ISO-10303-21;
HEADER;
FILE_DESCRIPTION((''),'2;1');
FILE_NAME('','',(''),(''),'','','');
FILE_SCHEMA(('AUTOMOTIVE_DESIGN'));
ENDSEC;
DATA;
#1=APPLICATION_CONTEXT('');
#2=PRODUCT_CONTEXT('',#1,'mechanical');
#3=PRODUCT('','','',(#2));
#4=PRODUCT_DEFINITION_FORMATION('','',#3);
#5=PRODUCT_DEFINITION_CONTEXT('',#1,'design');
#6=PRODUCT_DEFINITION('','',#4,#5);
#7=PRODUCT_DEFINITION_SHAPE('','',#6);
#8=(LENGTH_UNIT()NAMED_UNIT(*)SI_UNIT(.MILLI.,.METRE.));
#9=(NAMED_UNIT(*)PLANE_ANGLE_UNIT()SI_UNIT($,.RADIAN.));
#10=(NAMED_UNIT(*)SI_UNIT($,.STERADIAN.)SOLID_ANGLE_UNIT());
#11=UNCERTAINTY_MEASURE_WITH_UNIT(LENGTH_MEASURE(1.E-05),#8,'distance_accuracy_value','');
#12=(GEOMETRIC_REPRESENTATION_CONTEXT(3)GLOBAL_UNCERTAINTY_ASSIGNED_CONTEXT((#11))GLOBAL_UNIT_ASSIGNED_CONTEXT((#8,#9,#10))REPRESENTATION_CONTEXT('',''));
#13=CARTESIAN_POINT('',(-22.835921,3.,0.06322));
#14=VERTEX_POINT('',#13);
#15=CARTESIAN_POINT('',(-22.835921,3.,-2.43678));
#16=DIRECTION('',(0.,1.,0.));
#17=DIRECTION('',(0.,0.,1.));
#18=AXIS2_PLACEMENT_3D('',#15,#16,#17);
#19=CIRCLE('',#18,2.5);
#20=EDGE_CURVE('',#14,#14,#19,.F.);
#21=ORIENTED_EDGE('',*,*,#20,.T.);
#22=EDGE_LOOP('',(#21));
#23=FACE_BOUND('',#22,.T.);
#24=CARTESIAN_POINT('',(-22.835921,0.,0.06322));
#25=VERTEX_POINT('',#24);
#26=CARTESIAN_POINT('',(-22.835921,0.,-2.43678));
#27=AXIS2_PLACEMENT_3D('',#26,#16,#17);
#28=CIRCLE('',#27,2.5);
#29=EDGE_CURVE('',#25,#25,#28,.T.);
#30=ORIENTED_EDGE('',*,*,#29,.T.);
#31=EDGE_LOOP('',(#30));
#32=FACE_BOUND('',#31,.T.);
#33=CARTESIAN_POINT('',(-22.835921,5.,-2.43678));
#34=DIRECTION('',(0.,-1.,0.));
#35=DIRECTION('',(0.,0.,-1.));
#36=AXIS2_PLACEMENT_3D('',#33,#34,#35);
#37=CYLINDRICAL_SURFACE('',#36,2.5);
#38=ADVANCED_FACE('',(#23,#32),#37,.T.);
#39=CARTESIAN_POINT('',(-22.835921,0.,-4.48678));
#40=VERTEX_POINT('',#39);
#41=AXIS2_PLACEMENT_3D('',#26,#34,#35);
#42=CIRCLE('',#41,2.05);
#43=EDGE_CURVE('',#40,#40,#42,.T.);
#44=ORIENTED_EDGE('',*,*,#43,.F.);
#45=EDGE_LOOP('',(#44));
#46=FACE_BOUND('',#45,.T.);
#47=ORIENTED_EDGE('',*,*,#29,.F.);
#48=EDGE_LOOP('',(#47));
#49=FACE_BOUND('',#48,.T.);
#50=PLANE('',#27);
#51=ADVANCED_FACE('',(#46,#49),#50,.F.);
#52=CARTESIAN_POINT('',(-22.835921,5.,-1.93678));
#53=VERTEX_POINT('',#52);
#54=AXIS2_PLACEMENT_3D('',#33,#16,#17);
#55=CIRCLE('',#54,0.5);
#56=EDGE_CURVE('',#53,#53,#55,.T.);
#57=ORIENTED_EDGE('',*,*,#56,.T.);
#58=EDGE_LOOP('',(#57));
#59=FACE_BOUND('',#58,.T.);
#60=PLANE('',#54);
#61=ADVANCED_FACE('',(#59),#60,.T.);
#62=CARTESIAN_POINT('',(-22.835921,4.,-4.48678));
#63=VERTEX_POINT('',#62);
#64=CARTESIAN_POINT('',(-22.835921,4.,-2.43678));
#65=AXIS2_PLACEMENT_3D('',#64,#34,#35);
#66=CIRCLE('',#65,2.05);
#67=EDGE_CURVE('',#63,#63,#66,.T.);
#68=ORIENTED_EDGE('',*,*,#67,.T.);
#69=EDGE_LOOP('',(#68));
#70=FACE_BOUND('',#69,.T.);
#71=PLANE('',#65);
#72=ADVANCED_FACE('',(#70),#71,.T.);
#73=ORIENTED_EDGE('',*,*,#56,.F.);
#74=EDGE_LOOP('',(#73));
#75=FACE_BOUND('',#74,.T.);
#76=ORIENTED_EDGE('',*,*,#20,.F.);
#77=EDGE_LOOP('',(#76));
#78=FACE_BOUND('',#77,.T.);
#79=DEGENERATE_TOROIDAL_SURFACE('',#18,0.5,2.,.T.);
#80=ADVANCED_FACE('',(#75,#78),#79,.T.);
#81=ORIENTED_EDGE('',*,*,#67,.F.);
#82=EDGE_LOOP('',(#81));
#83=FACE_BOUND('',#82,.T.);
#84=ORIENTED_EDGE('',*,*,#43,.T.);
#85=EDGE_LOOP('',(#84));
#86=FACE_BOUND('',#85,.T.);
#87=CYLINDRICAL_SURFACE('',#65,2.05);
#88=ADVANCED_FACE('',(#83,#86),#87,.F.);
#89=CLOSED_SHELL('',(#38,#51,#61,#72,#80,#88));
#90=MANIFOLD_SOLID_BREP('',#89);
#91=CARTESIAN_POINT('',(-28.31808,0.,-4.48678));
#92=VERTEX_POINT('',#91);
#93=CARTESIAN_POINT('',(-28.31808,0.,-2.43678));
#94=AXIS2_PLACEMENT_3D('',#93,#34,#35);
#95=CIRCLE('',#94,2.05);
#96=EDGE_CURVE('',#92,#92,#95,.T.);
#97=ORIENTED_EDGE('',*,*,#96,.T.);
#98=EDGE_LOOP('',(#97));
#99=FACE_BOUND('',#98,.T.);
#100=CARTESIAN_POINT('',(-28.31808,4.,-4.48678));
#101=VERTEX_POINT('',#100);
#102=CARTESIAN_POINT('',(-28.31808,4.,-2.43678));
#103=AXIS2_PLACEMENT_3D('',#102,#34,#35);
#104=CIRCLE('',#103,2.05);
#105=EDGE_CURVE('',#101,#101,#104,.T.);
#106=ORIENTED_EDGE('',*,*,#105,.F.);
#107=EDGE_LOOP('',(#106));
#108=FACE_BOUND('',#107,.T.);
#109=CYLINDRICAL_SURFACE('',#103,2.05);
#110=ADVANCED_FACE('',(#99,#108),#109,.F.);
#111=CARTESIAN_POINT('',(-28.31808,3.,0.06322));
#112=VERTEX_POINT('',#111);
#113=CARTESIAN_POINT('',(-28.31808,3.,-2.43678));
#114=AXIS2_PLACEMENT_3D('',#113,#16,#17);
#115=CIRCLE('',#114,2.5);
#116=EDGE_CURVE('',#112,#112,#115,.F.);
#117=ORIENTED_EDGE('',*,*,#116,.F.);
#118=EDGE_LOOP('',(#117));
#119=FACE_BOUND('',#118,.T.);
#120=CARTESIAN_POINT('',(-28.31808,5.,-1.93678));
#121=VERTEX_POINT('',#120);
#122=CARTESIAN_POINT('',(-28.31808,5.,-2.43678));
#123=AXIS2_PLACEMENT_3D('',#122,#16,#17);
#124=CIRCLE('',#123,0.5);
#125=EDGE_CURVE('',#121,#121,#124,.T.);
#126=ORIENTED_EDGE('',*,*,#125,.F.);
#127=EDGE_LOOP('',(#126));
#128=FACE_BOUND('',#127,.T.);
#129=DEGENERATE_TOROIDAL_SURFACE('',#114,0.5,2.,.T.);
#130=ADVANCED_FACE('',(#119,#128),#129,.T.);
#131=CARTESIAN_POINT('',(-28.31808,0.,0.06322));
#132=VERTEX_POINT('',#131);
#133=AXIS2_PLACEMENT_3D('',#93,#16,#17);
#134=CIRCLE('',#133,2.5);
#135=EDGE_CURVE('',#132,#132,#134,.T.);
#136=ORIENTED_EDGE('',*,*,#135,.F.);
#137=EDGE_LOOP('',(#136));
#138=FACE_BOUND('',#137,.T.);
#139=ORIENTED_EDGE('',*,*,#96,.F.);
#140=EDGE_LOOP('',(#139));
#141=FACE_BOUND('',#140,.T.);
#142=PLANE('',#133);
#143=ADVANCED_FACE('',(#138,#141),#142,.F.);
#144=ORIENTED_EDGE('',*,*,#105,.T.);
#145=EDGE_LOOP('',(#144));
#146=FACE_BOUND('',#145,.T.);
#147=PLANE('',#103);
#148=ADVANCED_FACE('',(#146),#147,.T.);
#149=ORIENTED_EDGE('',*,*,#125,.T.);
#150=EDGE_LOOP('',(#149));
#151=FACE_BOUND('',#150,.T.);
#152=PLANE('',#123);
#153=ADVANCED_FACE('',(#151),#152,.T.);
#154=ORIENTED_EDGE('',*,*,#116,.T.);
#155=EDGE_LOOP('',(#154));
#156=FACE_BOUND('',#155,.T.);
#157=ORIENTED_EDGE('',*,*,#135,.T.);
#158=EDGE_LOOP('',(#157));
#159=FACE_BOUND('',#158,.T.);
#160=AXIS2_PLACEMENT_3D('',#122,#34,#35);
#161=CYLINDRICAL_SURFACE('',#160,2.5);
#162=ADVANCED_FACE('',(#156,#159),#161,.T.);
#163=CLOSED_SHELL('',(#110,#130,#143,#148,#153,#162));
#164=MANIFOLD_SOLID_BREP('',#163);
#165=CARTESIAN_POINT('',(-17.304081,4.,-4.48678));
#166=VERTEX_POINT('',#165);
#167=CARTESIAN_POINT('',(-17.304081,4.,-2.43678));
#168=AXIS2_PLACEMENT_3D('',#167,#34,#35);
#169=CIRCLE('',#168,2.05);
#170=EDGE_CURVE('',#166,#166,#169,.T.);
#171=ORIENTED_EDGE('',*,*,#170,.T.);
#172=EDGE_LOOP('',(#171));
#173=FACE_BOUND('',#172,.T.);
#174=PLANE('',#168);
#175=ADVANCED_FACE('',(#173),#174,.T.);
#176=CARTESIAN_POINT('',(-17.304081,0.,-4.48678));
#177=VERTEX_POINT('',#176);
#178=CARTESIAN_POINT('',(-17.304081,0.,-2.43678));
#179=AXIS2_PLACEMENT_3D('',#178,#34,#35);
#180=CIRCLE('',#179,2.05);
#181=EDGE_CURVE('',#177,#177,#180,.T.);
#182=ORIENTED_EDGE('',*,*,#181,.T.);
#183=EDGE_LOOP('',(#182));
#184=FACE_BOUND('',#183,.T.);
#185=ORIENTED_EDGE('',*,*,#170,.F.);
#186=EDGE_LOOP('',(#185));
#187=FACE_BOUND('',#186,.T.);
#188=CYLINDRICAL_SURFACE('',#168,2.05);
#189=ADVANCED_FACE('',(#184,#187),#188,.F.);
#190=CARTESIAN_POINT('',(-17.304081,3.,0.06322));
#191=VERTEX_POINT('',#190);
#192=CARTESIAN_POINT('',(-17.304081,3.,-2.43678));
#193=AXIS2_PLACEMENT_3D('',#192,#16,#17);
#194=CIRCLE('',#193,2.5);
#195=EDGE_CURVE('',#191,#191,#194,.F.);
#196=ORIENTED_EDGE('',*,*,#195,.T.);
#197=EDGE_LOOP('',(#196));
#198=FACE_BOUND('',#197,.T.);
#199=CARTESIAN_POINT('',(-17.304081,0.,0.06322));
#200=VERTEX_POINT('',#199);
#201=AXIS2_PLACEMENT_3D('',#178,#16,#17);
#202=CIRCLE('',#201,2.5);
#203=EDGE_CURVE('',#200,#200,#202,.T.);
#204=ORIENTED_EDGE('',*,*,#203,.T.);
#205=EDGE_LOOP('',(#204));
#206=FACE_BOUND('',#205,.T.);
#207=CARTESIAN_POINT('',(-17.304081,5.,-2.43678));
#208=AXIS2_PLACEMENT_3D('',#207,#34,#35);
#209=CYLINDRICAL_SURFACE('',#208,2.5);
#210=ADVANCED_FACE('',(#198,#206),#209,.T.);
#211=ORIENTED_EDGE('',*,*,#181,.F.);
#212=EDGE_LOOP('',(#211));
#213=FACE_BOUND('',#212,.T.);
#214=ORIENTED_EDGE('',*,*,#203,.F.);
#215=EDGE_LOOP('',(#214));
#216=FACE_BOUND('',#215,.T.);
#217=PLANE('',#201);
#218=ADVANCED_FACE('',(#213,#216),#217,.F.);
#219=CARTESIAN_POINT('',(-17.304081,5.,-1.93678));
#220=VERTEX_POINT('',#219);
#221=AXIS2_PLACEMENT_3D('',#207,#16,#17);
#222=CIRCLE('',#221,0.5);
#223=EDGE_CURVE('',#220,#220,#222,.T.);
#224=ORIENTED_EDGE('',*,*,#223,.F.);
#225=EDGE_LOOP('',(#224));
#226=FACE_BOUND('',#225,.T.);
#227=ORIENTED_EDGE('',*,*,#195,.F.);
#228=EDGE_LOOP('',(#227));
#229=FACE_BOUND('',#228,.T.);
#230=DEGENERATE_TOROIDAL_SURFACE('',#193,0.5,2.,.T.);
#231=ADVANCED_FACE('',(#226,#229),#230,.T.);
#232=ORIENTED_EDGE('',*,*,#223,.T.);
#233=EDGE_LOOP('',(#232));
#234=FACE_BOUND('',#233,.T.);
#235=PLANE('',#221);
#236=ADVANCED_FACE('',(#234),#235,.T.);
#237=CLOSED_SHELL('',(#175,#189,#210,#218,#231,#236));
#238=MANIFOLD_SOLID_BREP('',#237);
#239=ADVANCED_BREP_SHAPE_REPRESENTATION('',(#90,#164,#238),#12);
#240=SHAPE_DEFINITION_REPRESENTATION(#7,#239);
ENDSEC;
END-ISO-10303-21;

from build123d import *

# Parameters (mm, degrees)
SKETCH1_R             = 2.5
SKETCH1_R_2           = 2
BOSS_EXTRUDE1_DEPTH   = 5
BOSS_EXTRUDE1_2_DEPTH = 5
BOSS_EXTRUDE1_3_DEPTH = 5
SKETCH2_R             = 2
BOSS_EXTRUDE2_DEPTH   = 5
SKETCH3_R             = 2.05
CUT_EXTRUDE1_DEPTH    = 4
FILLET1_R             = 2
FILLET2_R             = 2
FILLET4_R             = 2


with BuildPart() as part:
    # Sketch1 → Boss-Extrude1 (new body)
    with BuildSketch(Plane(origin=(0, 0, 0), x_dir=(1, 0, 0), z_dir=(0, 1, 0))):
        with Locations(Location((-28.318080474, 2.436779788, 0), (0, 0, 270))):
            Circle(SKETCH1_R)
        with Locations(Location((-28.318080474, 2.436779788, 0), (0, 0, 270))):
            Circle(SKETCH1_R_2, mode=Mode.SUBTRACT)
    extrude(amount=BOSS_EXTRUDE1_DEPTH)



with BuildPart() as body_2:
    # Sketch1 → Boss-Extrude1 2 (new body)
    with BuildSketch(Plane(origin=(0, 0, 0), x_dir=(1, 0, 0), z_dir=(0, 1, 0))):
        with Locations(Location((-22.835920981, 2.436779788, 0), (0, 0, 270))):
            Circle(SKETCH1_R)
        with Locations(Location((-22.835920981, 2.436779788, 0), (0, 0, 270))):
            Circle(SKETCH1_R_2, mode=Mode.SUBTRACT)
    extrude(amount=BOSS_EXTRUDE1_2_DEPTH)


with BuildPart() as body_3:
    # Sketch1 → Boss-Extrude1 3 (new body)
    with BuildSketch(Plane(origin=(0, 0, 0), x_dir=(1, 0, 0), z_dir=(0, 1, 0))):
        with Locations(Location((-17.304081106, 2.436779788, 0), (0, 0, 270))):
            Circle(SKETCH1_R)
        with Locations(Location((-17.304081106, 2.436779788, 0), (0, 0, 270))):
            Circle(SKETCH1_R_2, mode=Mode.SUBTRACT)
    extrude(amount=BOSS_EXTRUDE1_3_DEPTH)


with BuildPart() as part_1:
    add(part.part)

    add(body_2.part)  # Boss-Extrude2 merges body 2

    add(body_3.part)  # Boss-Extrude2 merges body 3
    # Sketch2 → Boss-Extrude2 (add)
    with BuildSketch(Plane(origin=(0, 0, 0), x_dir=(1, 0, 0), z_dir=(0, 1, 0))):
        with Locations((-22.835920981, 2.436779788)):
            Circle(SKETCH2_R)
        with Locations((-17.304081106, 2.436779788)):
            Circle(SKETCH2_R)
        with Locations((-28.318080474, 2.436779788)):
            Circle(SKETCH2_R)
    extrude(amount=BOSS_EXTRUDE2_DEPTH)

    # Sketch3 → Cut-Extrude1 (cut)
    with BuildSketch(Plane(origin=(0, 0, 0), x_dir=(-1, 0, 0), z_dir=(0, -1, 0))):
        with Locations(Location((28.318080474, 2.436779788, 0), (0, 0, 90))):
            Circle(SKETCH3_R)
        with Locations(Location((22.835920981, 2.436779788, 0), (0, 0, 90))):
            Circle(SKETCH3_R)
        with Locations(Location((17.304081106, 2.436779788, 0), (0, 0, 90))):
            Circle(SKETCH3_R)
    extrude(amount=-CUT_EXTRUDE1_DEPTH, mode=Mode.SUBTRACT)

    # Fillet1
    fillet1_edges = [part_1.edges().sort_by_distance(p)[0] for p in [
        (-28.318080474, 5, -4.936779788),
    ]]
    fillet(fillet1_edges, radius=FILLET1_R)

    # Fillet2
    fillet2_edges = [part_1.edges().sort_by_distance(p)[0] for p in [
        (-22.835920981, 5, -4.936779788),
    ]]
    fillet(fillet2_edges, radius=FILLET2_R)

    # Fillet4
    fillet4_edges = [part_1.edges().sort_by_distance(p)[0] for p in [
        (-17.304081106, 5, -4.936779788),
    ]]
    fillet(fillet4_edges, radius=FILLET4_R)


solid = part_1.part
